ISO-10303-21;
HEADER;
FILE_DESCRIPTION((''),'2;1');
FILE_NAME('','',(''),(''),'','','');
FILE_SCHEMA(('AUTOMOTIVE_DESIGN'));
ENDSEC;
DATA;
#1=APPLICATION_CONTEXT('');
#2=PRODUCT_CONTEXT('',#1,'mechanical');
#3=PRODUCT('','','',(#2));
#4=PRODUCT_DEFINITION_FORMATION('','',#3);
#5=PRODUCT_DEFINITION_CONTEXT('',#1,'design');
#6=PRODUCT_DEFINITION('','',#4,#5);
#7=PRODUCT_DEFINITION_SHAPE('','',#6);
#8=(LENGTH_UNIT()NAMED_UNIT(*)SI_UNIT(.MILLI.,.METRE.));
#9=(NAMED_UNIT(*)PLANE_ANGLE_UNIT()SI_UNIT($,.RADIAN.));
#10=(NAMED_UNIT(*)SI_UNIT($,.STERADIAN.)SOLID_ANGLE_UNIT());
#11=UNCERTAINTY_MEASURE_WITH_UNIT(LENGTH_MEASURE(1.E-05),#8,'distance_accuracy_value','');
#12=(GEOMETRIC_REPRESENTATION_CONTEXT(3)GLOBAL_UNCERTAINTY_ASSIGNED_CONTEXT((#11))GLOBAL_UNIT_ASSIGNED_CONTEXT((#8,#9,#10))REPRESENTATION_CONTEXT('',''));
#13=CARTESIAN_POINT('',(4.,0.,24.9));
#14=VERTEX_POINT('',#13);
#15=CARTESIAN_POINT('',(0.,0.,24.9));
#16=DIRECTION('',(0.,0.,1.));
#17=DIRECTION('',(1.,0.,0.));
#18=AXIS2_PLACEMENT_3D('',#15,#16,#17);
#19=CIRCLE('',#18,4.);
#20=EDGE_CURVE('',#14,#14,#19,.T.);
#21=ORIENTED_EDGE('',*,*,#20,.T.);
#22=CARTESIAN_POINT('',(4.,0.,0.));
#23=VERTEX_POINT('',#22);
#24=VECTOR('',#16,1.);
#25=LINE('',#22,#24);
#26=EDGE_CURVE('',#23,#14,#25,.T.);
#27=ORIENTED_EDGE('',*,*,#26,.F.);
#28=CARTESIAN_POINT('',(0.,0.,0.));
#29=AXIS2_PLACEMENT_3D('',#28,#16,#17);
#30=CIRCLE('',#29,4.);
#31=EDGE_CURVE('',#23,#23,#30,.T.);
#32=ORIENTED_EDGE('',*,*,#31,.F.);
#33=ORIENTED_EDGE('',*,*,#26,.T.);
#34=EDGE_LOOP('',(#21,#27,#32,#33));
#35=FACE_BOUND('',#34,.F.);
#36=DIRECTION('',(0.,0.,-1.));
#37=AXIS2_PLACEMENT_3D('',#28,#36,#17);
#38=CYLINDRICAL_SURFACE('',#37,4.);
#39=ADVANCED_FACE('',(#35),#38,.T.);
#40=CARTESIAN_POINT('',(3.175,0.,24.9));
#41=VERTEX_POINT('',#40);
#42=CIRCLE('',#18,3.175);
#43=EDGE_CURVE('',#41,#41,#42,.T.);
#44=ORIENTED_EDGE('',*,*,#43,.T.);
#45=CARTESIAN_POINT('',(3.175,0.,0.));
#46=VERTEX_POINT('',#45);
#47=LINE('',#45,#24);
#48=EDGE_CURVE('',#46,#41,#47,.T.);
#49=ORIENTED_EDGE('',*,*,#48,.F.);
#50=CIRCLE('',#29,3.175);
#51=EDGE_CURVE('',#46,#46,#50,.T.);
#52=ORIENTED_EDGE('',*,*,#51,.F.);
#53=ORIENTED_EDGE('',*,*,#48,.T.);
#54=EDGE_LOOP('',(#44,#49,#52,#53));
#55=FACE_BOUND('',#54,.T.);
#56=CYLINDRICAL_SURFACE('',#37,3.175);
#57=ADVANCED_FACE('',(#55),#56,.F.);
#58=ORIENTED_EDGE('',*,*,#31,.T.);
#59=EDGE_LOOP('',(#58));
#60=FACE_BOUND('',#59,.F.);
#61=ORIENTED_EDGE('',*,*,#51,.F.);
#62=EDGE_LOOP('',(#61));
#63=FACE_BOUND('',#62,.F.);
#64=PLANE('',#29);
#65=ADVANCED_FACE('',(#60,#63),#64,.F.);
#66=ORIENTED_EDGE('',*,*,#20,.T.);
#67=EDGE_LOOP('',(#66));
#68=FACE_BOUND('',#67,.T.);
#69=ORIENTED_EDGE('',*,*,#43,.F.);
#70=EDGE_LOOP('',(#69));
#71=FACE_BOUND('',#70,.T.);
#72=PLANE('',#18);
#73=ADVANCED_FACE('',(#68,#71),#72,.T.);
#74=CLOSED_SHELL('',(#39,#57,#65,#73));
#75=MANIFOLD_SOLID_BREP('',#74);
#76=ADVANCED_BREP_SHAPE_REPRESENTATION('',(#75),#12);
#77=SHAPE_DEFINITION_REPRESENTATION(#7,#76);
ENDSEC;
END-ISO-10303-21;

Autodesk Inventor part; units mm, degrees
ref_plane "YZ Plane" through (0, 0, 0) normal (1, 0, 0) x (0, 1, 0)
ref_plane "XZ Plane" through (0, 0, 0) normal (0, 1, 0) x (-1, 0, 0)
ref_plane "XY Plane" through (0, 0, 0) normal (0, 0, 1) x (1, 0, 0)
sketch "Sketch1" plane through (0, 0, 0) normal (0, 0, 1) x (1, 0, 0)
  circle A0 centre (0, 0) radius 3.175
  circle A1 centre (0, 0) radius 4
  dimension "d0" = 6.35
  dimension "d1" = 8
extrude "Extrusion1" add sketch "Sketch1" along normal blind 24.9
properties part number "pulleyspacer"
